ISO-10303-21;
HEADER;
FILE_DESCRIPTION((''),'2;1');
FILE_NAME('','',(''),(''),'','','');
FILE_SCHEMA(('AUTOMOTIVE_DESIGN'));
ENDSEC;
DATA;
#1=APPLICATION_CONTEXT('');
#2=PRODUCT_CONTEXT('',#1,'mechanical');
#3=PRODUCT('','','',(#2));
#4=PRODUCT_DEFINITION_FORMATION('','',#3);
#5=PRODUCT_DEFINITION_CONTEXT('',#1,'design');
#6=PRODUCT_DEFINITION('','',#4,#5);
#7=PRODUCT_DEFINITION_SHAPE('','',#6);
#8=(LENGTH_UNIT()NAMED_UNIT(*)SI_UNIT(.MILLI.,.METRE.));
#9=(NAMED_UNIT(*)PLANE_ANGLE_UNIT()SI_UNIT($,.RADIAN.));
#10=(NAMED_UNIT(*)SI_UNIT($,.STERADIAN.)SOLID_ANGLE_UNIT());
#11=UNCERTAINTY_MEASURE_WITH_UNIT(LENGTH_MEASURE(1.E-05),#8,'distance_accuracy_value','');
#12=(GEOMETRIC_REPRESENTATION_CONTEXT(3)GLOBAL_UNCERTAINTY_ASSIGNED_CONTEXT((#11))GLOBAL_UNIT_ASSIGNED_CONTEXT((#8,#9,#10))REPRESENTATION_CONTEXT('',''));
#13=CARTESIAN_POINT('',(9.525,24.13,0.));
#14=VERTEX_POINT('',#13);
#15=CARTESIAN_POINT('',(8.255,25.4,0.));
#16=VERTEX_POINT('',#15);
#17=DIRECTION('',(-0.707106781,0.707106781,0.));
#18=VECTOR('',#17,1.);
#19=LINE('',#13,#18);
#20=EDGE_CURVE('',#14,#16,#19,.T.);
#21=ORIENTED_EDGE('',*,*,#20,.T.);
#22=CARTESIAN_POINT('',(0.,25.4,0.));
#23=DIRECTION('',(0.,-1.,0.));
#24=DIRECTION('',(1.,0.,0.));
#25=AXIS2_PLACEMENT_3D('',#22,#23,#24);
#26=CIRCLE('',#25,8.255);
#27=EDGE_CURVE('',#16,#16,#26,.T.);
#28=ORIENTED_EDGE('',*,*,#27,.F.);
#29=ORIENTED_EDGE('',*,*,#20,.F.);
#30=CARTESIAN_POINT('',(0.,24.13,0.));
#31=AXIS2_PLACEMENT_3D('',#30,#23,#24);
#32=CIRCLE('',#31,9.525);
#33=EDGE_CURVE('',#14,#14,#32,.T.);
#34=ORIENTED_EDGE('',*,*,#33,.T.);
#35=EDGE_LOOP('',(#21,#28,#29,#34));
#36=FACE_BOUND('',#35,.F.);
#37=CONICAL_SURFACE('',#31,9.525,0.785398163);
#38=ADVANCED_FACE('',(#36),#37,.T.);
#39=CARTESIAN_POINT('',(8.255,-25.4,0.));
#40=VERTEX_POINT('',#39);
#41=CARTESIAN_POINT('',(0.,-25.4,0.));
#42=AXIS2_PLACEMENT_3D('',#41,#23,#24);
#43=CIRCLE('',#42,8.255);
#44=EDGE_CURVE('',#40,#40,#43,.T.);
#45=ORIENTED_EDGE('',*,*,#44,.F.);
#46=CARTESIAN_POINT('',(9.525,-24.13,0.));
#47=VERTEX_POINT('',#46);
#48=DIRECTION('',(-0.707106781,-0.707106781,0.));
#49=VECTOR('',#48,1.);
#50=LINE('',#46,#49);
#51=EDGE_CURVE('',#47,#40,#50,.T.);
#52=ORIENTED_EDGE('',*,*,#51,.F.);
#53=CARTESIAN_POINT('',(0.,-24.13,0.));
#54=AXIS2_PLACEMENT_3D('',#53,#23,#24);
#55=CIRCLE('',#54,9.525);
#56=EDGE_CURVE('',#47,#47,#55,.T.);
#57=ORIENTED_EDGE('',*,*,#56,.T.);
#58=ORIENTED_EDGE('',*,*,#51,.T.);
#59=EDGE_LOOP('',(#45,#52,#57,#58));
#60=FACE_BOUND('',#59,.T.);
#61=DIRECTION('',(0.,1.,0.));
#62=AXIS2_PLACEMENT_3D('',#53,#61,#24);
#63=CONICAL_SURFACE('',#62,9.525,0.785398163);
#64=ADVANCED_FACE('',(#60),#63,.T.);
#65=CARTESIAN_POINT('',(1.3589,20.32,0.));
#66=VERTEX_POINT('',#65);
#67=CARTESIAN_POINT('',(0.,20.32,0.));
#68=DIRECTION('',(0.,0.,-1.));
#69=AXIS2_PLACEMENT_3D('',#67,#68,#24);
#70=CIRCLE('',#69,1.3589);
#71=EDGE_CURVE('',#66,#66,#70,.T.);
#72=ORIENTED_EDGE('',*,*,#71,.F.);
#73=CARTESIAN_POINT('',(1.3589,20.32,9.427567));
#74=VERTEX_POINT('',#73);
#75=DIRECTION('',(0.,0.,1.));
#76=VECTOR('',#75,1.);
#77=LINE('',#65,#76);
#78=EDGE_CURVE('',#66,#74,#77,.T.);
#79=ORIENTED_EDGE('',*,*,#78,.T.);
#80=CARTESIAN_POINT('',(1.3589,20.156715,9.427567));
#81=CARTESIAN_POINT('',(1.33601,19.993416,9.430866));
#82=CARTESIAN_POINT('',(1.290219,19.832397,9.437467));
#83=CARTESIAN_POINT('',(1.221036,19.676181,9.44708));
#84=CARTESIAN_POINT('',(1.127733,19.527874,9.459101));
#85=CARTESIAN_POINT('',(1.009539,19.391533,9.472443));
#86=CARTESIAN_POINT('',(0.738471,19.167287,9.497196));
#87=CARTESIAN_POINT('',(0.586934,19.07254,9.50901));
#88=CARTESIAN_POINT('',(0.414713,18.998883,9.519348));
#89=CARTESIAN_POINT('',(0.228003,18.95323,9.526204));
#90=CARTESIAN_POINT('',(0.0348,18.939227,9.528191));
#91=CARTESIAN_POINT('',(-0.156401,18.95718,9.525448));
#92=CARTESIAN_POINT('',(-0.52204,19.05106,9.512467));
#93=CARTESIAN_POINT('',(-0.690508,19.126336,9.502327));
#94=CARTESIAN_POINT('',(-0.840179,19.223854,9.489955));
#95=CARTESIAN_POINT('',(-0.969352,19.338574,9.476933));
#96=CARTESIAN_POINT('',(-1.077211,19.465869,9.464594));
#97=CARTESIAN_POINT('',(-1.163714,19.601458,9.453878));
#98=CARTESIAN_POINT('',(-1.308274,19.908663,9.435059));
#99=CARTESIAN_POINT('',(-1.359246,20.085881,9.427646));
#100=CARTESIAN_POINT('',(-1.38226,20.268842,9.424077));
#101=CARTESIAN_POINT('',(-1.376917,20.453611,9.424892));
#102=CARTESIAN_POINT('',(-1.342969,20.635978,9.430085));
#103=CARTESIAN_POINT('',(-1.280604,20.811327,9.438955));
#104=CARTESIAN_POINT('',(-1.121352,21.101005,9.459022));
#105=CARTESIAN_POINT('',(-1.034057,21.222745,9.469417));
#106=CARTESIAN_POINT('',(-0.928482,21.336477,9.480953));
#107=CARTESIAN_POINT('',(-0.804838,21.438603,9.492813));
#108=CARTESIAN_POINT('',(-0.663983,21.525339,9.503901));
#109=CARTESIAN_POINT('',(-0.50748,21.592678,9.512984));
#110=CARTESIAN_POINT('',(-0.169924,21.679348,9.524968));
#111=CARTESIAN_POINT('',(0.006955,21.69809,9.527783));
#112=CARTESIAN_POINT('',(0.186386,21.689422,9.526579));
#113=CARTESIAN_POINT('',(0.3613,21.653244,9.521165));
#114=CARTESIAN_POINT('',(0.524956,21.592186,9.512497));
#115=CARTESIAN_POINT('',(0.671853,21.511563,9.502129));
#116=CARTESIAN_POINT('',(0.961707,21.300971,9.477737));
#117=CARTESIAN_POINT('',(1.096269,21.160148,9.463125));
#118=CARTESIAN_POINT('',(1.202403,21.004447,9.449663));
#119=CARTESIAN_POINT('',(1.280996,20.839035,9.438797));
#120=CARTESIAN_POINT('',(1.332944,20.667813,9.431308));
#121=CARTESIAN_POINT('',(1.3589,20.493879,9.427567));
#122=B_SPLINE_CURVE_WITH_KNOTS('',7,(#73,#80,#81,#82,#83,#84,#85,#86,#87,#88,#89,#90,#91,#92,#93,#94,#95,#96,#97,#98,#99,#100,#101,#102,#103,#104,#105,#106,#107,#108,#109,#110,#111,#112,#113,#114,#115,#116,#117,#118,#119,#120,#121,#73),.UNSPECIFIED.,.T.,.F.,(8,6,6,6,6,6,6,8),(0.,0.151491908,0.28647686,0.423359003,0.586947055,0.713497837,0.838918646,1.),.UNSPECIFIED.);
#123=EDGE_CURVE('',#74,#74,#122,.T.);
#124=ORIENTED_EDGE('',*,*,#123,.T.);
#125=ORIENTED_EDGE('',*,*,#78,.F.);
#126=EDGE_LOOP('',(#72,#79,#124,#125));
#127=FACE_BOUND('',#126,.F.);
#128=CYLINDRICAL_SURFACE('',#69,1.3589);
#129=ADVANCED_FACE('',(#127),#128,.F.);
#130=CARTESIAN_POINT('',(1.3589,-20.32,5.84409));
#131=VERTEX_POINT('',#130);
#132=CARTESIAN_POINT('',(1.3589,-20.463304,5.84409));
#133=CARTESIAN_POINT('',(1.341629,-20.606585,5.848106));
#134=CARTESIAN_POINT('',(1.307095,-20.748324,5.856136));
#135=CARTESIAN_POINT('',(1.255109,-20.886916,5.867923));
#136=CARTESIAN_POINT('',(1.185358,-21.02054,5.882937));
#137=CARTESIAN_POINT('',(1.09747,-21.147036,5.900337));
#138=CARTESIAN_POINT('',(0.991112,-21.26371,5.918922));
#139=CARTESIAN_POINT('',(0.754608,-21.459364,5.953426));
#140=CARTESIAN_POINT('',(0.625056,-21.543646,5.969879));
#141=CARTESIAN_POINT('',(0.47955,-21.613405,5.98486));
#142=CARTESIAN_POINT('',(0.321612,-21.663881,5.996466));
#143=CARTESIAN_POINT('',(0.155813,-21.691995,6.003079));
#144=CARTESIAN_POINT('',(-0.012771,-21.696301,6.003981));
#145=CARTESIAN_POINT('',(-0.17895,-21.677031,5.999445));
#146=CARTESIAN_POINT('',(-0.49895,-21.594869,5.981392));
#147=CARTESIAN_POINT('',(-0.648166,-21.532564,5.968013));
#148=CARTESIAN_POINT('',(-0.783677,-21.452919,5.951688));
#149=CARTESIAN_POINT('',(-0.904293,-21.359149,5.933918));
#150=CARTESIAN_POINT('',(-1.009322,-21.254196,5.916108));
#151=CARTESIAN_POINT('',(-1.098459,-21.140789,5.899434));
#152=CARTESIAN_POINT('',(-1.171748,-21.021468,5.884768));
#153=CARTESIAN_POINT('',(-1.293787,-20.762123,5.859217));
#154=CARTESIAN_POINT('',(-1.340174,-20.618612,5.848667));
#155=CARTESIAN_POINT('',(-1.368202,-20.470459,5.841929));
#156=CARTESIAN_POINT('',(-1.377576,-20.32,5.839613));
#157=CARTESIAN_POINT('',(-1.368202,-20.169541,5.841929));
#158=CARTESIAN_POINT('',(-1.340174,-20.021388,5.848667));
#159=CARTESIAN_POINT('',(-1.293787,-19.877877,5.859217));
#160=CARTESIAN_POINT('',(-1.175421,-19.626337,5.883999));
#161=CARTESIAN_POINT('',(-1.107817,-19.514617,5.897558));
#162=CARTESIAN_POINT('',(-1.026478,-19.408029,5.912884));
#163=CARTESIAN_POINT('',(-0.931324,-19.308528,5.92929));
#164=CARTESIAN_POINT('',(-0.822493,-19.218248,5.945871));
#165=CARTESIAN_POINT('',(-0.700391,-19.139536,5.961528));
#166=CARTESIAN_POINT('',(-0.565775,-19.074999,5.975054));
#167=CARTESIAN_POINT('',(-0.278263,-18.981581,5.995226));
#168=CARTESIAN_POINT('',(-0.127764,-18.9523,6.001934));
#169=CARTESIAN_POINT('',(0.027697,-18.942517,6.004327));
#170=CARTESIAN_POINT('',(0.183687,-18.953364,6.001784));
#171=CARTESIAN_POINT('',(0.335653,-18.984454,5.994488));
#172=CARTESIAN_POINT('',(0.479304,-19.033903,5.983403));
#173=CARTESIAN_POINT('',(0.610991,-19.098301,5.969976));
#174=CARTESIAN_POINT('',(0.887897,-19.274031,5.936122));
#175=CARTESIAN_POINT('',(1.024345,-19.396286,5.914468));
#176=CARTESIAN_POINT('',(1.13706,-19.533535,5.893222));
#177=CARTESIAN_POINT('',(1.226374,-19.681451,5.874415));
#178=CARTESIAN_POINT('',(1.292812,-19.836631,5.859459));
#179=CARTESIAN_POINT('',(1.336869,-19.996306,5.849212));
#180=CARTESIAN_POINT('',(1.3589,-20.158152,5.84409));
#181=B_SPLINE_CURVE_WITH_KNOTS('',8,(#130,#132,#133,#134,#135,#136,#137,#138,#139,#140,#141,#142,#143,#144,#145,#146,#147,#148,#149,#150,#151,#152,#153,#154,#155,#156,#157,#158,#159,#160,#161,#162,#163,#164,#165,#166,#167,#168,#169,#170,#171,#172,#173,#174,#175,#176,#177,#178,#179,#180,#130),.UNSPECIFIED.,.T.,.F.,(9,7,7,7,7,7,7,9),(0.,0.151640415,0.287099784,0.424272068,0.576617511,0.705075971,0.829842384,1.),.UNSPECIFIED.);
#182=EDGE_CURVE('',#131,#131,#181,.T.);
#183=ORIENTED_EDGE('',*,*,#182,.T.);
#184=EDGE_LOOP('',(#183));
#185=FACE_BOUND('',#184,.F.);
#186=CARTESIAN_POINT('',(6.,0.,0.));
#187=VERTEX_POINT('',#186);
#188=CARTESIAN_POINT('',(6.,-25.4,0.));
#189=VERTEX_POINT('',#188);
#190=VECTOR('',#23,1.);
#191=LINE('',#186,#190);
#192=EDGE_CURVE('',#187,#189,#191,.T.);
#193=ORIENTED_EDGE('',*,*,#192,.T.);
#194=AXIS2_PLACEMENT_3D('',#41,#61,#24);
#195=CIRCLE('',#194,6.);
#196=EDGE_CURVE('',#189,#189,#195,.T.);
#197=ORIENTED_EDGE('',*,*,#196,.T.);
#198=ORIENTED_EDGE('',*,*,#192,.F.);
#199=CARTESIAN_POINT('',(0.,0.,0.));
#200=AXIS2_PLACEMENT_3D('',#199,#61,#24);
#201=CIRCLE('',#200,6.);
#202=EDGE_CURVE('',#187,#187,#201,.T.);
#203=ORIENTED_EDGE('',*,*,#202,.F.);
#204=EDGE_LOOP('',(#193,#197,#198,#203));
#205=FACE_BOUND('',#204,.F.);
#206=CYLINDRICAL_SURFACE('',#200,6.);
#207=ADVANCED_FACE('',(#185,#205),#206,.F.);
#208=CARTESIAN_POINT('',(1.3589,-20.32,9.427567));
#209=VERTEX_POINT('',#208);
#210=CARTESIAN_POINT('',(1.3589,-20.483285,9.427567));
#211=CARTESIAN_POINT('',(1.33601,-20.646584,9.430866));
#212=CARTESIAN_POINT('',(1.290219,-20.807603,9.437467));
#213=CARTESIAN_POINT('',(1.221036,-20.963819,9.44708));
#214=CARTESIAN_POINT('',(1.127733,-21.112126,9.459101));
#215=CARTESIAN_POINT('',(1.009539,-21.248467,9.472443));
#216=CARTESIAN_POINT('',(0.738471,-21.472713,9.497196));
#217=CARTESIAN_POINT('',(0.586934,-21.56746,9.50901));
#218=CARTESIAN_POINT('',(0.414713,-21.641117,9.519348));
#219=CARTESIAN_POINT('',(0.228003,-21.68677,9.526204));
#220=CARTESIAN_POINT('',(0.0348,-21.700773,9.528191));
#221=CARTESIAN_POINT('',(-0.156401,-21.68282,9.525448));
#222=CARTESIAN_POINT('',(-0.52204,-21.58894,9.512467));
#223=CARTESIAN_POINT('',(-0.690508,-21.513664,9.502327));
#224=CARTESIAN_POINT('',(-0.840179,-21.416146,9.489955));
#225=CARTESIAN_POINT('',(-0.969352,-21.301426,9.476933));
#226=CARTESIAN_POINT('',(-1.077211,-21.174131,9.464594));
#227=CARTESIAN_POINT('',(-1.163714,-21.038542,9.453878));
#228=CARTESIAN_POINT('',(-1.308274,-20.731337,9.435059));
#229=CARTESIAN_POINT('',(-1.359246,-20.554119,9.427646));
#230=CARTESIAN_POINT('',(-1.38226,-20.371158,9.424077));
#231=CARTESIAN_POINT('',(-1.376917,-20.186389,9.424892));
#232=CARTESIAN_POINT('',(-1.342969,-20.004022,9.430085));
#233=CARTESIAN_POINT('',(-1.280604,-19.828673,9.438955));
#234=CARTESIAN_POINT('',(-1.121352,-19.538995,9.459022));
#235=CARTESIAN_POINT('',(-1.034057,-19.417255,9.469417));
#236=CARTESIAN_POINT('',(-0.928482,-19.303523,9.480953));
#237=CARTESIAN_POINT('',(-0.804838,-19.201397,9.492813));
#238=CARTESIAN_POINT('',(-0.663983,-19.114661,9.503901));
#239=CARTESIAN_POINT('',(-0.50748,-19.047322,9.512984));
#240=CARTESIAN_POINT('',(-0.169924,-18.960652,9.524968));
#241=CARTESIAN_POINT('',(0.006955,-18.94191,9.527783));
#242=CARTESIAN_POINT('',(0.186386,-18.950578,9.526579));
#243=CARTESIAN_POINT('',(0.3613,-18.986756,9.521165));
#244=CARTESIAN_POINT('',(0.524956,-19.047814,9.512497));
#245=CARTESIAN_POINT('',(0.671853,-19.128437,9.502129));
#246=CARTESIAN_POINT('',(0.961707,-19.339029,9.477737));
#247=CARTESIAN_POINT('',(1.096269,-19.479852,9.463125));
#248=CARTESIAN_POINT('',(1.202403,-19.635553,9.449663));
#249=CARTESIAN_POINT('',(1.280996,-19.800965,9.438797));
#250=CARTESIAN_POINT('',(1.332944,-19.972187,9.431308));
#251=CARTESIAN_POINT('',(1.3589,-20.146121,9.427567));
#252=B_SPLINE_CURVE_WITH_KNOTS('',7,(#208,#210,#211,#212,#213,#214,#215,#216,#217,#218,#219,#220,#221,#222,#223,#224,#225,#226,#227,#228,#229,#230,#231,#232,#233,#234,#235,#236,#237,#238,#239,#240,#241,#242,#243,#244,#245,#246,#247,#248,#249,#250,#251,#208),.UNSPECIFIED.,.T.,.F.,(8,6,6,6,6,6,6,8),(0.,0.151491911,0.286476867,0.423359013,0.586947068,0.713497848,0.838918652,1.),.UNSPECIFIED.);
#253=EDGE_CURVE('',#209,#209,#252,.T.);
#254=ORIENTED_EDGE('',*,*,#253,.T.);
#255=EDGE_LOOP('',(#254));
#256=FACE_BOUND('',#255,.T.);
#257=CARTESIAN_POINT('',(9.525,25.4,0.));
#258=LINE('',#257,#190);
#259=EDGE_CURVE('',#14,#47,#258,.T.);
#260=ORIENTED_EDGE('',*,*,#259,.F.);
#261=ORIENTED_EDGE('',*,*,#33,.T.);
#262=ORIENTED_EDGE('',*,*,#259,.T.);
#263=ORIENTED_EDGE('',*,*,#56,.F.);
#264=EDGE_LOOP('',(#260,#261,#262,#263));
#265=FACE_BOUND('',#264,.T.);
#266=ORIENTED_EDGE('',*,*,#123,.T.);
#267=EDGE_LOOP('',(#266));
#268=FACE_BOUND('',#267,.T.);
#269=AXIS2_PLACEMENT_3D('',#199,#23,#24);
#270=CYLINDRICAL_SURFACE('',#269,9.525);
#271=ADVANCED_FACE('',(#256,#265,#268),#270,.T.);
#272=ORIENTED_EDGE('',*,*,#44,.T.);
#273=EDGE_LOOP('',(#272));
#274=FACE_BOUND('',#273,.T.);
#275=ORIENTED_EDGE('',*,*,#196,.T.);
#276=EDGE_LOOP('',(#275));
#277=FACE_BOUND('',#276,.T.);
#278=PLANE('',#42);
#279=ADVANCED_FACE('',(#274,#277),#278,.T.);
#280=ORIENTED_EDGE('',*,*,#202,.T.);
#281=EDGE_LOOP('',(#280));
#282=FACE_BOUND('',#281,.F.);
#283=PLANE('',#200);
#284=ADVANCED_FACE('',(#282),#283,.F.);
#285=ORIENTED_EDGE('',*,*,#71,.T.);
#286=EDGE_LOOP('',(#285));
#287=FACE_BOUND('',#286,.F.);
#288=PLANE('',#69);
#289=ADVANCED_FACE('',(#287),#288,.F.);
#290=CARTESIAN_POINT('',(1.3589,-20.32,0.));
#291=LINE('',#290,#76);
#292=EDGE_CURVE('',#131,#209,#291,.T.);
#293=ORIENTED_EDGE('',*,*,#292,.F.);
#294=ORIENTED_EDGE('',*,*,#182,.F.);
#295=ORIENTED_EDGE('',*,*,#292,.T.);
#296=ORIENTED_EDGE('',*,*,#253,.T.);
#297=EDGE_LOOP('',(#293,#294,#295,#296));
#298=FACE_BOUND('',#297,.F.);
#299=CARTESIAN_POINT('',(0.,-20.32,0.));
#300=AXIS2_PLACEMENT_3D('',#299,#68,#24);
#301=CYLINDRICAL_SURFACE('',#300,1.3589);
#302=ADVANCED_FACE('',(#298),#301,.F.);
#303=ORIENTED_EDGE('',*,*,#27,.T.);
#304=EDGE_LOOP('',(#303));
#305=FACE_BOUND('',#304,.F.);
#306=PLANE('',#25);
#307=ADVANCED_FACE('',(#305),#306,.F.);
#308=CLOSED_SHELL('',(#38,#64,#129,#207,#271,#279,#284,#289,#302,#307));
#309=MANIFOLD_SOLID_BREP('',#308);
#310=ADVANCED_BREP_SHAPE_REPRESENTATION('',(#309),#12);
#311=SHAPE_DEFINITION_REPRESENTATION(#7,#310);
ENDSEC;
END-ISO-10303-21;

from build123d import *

# Parameters (mm, degrees)
F0_R          = 9.525
F1_DEPTH      = 25.4
F1_DEPTH_BACK = 25.4
F3_D          = 12
F3_DEPTH      = 25.401
F4_SIZE       = 1.27
F6_D          = 2.7178
F6_DEPTH      = 9.526


with BuildPart() as f1:
    # F0 (on Front) → F1 (new body, two sides)
    with BuildSketch(Plane.XZ) as f1_sk:
        Circle(F0_R)
    extrude(amount=F1_DEPTH)
    extrude(f1_sk.sketch, amount=-F1_DEPTH_BACK)

    # F3 (through all, one way)
    with BuildSketch(Plane(origin=(0, 0, 0), x_dir=(1, 0, 0), z_dir=(0, 1, 0))):
        with Locations((0, 0)):
            Circle(F3_D / 2)
    extrude(amount=-F3_DEPTH, mode=Mode.SUBTRACT)

    # F4
    f4_edges = [f1.edges().sort_by_distance(p)[0] for p in [
        (-9.525, -25.4, 0),
        (-9.525, 25.4, 0),
    ]]
    chamfer(f4_edges, length=F4_SIZE)

    # F6 (through all, one way)
    with BuildSketch(Plane(origin=(0, 0, 0), x_dir=(1, 0, 0), z_dir=(0, 0, -1))):
        with Locations((0, -20.32), (0, 20.32)):
            Circle(F6_D / 2)
    extrude(amount=-F6_DEPTH, mode=Mode.SUBTRACT)


solid = f1.part
